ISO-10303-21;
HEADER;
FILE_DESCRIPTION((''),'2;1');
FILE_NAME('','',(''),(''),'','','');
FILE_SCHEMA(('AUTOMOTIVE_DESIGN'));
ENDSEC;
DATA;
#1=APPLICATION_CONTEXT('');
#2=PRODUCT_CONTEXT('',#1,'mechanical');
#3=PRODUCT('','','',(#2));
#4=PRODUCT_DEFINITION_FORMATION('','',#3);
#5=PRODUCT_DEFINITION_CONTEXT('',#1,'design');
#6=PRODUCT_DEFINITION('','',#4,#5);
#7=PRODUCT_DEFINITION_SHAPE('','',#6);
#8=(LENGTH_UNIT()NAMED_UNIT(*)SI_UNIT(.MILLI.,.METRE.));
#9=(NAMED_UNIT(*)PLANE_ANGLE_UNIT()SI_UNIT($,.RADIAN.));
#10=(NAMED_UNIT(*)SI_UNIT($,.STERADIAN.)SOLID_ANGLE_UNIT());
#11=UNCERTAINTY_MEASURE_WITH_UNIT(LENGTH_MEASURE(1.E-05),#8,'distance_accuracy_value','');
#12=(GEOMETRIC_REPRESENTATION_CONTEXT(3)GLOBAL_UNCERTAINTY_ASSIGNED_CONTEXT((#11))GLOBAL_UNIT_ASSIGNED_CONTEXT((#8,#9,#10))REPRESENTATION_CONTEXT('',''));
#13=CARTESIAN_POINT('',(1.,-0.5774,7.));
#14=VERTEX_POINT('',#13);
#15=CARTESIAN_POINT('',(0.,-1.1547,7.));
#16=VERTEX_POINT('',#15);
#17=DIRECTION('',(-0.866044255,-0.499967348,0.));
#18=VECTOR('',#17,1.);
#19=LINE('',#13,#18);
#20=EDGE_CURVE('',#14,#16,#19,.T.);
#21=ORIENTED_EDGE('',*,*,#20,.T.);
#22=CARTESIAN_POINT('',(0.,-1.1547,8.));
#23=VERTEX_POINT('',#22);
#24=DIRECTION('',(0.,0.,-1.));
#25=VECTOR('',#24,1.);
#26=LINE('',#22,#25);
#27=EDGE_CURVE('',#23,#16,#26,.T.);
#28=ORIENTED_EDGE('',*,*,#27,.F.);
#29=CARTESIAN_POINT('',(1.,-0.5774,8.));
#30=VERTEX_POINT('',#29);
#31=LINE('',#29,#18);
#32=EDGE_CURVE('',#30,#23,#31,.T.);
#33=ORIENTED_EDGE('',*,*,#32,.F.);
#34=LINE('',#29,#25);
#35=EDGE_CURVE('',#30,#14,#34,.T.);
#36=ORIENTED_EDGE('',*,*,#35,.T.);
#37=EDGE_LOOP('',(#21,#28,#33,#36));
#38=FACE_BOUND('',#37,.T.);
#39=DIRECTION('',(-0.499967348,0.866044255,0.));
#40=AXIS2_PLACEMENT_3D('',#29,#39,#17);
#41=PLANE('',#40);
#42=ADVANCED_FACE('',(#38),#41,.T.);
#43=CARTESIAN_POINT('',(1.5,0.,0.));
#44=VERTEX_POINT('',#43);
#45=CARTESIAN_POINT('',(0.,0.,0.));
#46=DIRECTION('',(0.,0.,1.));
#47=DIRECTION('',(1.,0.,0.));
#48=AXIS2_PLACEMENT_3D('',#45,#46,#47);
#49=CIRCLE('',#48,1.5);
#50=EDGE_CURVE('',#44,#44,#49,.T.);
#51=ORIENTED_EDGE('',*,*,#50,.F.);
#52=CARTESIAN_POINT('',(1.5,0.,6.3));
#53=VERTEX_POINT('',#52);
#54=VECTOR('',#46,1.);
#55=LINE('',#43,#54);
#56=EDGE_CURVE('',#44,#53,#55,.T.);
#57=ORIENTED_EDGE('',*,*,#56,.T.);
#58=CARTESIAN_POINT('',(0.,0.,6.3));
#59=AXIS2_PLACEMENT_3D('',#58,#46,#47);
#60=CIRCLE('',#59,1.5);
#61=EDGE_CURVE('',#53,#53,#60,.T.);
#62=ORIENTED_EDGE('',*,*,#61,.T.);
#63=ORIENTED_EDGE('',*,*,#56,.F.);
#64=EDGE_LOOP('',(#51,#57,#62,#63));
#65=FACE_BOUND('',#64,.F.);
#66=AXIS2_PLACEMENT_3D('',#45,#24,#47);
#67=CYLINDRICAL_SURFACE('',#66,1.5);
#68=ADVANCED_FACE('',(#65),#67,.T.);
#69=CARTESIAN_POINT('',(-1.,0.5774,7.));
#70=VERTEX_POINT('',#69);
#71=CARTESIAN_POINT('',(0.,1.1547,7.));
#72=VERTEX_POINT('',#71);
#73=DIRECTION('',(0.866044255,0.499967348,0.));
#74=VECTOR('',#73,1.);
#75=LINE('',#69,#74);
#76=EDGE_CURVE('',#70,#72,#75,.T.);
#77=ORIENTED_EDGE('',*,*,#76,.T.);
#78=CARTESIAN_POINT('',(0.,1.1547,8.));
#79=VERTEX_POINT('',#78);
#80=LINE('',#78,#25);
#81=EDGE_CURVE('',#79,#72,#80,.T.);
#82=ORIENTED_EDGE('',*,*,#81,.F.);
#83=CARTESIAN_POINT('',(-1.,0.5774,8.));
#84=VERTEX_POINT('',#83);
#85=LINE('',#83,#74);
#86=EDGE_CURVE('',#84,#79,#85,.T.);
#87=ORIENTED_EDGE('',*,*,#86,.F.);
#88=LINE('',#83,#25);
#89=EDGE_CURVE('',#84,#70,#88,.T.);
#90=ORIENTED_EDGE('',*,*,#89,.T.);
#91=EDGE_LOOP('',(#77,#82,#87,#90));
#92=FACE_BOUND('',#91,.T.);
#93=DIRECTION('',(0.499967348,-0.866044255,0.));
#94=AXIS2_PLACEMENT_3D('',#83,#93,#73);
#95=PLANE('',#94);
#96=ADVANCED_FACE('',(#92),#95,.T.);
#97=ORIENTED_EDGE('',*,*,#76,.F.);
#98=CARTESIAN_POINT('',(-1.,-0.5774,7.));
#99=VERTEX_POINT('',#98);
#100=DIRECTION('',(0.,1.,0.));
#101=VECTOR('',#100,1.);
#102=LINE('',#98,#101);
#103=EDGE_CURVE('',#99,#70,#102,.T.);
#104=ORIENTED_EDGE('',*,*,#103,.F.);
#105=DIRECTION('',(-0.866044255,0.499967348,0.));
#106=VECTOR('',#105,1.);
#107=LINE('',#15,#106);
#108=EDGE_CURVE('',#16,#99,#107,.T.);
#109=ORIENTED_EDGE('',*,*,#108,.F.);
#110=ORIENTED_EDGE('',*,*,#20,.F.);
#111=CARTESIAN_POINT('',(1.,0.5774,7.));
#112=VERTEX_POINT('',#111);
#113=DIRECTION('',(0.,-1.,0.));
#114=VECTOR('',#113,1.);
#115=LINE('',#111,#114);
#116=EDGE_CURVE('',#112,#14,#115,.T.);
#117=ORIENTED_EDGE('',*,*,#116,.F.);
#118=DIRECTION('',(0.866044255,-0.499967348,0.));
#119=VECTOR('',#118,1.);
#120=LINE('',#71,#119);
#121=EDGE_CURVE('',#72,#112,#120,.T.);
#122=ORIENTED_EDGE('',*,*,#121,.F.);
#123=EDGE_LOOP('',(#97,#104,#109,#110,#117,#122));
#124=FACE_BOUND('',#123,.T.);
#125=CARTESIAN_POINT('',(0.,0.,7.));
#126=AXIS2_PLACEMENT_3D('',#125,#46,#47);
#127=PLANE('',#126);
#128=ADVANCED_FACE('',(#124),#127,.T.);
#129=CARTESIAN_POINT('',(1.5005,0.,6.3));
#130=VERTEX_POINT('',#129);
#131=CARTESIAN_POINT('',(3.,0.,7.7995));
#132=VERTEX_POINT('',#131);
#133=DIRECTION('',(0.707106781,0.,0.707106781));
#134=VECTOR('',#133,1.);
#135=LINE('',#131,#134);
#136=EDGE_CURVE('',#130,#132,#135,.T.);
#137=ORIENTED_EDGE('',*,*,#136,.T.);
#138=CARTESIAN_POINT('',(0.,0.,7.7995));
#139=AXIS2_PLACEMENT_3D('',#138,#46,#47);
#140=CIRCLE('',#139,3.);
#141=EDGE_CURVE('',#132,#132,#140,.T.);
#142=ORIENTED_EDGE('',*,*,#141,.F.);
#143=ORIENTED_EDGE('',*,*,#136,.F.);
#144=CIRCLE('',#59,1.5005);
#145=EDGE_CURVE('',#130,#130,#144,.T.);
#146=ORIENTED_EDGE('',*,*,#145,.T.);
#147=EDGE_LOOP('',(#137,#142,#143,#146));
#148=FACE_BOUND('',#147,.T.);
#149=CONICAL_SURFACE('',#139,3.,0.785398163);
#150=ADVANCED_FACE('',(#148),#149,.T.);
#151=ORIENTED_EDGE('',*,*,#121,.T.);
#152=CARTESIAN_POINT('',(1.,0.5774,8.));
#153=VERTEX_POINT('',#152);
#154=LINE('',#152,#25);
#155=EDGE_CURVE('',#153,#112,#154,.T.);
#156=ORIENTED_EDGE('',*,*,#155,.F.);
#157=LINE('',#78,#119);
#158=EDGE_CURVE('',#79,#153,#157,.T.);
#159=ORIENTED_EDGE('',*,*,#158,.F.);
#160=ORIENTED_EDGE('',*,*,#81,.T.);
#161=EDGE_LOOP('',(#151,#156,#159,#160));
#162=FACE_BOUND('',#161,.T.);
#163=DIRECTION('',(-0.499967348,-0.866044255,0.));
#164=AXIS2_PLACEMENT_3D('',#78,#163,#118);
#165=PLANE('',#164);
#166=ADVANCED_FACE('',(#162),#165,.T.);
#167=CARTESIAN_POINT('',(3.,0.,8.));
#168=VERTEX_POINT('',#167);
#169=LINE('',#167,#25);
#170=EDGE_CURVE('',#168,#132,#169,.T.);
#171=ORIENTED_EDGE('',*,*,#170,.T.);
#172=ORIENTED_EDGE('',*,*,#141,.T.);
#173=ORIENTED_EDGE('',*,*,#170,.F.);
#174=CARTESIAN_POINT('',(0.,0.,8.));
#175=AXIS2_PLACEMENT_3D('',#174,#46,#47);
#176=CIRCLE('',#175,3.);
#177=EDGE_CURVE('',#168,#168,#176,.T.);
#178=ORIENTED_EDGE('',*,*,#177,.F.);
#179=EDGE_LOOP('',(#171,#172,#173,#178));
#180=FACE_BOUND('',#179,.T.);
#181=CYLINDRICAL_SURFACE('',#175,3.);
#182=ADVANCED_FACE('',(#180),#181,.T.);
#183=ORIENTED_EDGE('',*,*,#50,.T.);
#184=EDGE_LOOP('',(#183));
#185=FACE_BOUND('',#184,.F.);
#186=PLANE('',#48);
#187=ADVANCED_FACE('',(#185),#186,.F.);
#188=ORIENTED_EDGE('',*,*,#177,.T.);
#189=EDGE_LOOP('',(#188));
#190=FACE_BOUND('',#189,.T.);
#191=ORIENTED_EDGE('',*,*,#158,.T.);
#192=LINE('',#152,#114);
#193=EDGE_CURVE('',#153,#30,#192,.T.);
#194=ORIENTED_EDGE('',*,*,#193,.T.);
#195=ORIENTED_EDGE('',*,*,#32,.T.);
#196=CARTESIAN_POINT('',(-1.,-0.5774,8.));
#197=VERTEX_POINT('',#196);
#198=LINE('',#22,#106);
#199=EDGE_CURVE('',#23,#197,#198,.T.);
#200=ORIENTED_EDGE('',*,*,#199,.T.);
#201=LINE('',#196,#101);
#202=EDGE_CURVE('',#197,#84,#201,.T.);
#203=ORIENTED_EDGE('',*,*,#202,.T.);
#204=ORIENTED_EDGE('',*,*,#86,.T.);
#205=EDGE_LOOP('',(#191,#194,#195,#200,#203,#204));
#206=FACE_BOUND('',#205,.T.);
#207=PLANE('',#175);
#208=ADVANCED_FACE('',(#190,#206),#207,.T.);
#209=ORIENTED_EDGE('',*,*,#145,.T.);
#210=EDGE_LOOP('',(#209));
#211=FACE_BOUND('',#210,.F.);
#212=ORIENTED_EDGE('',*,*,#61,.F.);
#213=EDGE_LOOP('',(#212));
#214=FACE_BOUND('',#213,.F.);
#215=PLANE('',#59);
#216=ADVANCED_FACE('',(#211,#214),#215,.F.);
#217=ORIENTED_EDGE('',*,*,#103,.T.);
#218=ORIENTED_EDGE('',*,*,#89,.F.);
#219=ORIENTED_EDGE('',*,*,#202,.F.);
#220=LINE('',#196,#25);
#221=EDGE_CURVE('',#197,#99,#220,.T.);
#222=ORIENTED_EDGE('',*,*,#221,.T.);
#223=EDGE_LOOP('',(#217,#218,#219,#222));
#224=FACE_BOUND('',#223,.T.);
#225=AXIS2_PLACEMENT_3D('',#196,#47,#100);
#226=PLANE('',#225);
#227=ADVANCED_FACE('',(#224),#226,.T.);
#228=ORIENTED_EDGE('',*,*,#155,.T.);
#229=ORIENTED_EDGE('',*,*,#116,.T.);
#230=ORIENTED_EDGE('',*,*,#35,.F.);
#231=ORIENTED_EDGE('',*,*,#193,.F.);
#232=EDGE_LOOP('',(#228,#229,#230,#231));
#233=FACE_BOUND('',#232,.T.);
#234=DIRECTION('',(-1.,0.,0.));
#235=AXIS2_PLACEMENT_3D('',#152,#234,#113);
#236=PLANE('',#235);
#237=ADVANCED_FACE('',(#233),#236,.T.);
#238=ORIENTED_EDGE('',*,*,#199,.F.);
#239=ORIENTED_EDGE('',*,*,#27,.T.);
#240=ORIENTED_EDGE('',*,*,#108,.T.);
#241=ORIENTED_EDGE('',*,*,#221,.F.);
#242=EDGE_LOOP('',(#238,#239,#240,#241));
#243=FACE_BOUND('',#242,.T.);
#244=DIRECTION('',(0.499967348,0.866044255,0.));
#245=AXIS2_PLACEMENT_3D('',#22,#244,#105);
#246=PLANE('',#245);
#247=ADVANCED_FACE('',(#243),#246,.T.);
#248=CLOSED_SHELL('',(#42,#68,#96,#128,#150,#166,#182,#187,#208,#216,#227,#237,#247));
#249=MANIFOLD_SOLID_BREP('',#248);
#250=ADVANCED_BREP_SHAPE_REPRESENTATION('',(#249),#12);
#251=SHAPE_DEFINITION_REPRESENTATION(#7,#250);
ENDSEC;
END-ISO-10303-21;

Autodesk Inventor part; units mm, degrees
ref_plane "YZ Plane" through (0, 0, 0) normal (1, 0, 0) x (0, 1, 0)
ref_plane "XZ Plane" through (0, 0, 0) normal (0, 1, 0) x (-1, 0, 0)
ref_plane "XY Plane" through (0, 0, 0) normal (0, 0, 1) x (1, 0, 0)
sketch "スケッチ1" plane through (0, 0, 0) normal (0, 0, 1) x (1, 0, 0)
  circle A0 centre (0, 0) radius 1.5
  dimension "d0" = 3
extrude "押し出し1" add sketch "スケッチ1" along normal blind 8
sketch "スケッチ2" plane through (0, 0, 8) normal (0, 0, 1) x (1, 0, 0)
  circle A0 centre (0, 0) radius 1.5 projected
  circle A1 centre (0, 0) radius 3
  line L0 (0, 1.1547) -> (1, 0.5774)
  line L1 (1, 0.5774) -> (1, -0.5774)
  line L2 (1, -0.5774) -> (0, -1.1547)
  line L3 (0, -1.1547) -> (-1, -0.5774)
  line L4 (-1, -0.5774) -> (-1, 0.5774)
  line L5 (-1, 0.5774) -> (0, 1.1547)
  dimension "d3" = 6
  dimension "d6" = 2
extrude "押し出し2" add sketch "スケッチ2" against normal blind 1.7 contours A1
extrude "押し出し3" cut sketch "スケッチ2" against normal blind 1 contours L0 L1 L2 L3 L4 L5
chamfer "面取り1" distance 1.5 angle 45 1 edges at (-3, 0, 6.3)
properties part number "ねじ皿　m3-l8" material "鋼"
